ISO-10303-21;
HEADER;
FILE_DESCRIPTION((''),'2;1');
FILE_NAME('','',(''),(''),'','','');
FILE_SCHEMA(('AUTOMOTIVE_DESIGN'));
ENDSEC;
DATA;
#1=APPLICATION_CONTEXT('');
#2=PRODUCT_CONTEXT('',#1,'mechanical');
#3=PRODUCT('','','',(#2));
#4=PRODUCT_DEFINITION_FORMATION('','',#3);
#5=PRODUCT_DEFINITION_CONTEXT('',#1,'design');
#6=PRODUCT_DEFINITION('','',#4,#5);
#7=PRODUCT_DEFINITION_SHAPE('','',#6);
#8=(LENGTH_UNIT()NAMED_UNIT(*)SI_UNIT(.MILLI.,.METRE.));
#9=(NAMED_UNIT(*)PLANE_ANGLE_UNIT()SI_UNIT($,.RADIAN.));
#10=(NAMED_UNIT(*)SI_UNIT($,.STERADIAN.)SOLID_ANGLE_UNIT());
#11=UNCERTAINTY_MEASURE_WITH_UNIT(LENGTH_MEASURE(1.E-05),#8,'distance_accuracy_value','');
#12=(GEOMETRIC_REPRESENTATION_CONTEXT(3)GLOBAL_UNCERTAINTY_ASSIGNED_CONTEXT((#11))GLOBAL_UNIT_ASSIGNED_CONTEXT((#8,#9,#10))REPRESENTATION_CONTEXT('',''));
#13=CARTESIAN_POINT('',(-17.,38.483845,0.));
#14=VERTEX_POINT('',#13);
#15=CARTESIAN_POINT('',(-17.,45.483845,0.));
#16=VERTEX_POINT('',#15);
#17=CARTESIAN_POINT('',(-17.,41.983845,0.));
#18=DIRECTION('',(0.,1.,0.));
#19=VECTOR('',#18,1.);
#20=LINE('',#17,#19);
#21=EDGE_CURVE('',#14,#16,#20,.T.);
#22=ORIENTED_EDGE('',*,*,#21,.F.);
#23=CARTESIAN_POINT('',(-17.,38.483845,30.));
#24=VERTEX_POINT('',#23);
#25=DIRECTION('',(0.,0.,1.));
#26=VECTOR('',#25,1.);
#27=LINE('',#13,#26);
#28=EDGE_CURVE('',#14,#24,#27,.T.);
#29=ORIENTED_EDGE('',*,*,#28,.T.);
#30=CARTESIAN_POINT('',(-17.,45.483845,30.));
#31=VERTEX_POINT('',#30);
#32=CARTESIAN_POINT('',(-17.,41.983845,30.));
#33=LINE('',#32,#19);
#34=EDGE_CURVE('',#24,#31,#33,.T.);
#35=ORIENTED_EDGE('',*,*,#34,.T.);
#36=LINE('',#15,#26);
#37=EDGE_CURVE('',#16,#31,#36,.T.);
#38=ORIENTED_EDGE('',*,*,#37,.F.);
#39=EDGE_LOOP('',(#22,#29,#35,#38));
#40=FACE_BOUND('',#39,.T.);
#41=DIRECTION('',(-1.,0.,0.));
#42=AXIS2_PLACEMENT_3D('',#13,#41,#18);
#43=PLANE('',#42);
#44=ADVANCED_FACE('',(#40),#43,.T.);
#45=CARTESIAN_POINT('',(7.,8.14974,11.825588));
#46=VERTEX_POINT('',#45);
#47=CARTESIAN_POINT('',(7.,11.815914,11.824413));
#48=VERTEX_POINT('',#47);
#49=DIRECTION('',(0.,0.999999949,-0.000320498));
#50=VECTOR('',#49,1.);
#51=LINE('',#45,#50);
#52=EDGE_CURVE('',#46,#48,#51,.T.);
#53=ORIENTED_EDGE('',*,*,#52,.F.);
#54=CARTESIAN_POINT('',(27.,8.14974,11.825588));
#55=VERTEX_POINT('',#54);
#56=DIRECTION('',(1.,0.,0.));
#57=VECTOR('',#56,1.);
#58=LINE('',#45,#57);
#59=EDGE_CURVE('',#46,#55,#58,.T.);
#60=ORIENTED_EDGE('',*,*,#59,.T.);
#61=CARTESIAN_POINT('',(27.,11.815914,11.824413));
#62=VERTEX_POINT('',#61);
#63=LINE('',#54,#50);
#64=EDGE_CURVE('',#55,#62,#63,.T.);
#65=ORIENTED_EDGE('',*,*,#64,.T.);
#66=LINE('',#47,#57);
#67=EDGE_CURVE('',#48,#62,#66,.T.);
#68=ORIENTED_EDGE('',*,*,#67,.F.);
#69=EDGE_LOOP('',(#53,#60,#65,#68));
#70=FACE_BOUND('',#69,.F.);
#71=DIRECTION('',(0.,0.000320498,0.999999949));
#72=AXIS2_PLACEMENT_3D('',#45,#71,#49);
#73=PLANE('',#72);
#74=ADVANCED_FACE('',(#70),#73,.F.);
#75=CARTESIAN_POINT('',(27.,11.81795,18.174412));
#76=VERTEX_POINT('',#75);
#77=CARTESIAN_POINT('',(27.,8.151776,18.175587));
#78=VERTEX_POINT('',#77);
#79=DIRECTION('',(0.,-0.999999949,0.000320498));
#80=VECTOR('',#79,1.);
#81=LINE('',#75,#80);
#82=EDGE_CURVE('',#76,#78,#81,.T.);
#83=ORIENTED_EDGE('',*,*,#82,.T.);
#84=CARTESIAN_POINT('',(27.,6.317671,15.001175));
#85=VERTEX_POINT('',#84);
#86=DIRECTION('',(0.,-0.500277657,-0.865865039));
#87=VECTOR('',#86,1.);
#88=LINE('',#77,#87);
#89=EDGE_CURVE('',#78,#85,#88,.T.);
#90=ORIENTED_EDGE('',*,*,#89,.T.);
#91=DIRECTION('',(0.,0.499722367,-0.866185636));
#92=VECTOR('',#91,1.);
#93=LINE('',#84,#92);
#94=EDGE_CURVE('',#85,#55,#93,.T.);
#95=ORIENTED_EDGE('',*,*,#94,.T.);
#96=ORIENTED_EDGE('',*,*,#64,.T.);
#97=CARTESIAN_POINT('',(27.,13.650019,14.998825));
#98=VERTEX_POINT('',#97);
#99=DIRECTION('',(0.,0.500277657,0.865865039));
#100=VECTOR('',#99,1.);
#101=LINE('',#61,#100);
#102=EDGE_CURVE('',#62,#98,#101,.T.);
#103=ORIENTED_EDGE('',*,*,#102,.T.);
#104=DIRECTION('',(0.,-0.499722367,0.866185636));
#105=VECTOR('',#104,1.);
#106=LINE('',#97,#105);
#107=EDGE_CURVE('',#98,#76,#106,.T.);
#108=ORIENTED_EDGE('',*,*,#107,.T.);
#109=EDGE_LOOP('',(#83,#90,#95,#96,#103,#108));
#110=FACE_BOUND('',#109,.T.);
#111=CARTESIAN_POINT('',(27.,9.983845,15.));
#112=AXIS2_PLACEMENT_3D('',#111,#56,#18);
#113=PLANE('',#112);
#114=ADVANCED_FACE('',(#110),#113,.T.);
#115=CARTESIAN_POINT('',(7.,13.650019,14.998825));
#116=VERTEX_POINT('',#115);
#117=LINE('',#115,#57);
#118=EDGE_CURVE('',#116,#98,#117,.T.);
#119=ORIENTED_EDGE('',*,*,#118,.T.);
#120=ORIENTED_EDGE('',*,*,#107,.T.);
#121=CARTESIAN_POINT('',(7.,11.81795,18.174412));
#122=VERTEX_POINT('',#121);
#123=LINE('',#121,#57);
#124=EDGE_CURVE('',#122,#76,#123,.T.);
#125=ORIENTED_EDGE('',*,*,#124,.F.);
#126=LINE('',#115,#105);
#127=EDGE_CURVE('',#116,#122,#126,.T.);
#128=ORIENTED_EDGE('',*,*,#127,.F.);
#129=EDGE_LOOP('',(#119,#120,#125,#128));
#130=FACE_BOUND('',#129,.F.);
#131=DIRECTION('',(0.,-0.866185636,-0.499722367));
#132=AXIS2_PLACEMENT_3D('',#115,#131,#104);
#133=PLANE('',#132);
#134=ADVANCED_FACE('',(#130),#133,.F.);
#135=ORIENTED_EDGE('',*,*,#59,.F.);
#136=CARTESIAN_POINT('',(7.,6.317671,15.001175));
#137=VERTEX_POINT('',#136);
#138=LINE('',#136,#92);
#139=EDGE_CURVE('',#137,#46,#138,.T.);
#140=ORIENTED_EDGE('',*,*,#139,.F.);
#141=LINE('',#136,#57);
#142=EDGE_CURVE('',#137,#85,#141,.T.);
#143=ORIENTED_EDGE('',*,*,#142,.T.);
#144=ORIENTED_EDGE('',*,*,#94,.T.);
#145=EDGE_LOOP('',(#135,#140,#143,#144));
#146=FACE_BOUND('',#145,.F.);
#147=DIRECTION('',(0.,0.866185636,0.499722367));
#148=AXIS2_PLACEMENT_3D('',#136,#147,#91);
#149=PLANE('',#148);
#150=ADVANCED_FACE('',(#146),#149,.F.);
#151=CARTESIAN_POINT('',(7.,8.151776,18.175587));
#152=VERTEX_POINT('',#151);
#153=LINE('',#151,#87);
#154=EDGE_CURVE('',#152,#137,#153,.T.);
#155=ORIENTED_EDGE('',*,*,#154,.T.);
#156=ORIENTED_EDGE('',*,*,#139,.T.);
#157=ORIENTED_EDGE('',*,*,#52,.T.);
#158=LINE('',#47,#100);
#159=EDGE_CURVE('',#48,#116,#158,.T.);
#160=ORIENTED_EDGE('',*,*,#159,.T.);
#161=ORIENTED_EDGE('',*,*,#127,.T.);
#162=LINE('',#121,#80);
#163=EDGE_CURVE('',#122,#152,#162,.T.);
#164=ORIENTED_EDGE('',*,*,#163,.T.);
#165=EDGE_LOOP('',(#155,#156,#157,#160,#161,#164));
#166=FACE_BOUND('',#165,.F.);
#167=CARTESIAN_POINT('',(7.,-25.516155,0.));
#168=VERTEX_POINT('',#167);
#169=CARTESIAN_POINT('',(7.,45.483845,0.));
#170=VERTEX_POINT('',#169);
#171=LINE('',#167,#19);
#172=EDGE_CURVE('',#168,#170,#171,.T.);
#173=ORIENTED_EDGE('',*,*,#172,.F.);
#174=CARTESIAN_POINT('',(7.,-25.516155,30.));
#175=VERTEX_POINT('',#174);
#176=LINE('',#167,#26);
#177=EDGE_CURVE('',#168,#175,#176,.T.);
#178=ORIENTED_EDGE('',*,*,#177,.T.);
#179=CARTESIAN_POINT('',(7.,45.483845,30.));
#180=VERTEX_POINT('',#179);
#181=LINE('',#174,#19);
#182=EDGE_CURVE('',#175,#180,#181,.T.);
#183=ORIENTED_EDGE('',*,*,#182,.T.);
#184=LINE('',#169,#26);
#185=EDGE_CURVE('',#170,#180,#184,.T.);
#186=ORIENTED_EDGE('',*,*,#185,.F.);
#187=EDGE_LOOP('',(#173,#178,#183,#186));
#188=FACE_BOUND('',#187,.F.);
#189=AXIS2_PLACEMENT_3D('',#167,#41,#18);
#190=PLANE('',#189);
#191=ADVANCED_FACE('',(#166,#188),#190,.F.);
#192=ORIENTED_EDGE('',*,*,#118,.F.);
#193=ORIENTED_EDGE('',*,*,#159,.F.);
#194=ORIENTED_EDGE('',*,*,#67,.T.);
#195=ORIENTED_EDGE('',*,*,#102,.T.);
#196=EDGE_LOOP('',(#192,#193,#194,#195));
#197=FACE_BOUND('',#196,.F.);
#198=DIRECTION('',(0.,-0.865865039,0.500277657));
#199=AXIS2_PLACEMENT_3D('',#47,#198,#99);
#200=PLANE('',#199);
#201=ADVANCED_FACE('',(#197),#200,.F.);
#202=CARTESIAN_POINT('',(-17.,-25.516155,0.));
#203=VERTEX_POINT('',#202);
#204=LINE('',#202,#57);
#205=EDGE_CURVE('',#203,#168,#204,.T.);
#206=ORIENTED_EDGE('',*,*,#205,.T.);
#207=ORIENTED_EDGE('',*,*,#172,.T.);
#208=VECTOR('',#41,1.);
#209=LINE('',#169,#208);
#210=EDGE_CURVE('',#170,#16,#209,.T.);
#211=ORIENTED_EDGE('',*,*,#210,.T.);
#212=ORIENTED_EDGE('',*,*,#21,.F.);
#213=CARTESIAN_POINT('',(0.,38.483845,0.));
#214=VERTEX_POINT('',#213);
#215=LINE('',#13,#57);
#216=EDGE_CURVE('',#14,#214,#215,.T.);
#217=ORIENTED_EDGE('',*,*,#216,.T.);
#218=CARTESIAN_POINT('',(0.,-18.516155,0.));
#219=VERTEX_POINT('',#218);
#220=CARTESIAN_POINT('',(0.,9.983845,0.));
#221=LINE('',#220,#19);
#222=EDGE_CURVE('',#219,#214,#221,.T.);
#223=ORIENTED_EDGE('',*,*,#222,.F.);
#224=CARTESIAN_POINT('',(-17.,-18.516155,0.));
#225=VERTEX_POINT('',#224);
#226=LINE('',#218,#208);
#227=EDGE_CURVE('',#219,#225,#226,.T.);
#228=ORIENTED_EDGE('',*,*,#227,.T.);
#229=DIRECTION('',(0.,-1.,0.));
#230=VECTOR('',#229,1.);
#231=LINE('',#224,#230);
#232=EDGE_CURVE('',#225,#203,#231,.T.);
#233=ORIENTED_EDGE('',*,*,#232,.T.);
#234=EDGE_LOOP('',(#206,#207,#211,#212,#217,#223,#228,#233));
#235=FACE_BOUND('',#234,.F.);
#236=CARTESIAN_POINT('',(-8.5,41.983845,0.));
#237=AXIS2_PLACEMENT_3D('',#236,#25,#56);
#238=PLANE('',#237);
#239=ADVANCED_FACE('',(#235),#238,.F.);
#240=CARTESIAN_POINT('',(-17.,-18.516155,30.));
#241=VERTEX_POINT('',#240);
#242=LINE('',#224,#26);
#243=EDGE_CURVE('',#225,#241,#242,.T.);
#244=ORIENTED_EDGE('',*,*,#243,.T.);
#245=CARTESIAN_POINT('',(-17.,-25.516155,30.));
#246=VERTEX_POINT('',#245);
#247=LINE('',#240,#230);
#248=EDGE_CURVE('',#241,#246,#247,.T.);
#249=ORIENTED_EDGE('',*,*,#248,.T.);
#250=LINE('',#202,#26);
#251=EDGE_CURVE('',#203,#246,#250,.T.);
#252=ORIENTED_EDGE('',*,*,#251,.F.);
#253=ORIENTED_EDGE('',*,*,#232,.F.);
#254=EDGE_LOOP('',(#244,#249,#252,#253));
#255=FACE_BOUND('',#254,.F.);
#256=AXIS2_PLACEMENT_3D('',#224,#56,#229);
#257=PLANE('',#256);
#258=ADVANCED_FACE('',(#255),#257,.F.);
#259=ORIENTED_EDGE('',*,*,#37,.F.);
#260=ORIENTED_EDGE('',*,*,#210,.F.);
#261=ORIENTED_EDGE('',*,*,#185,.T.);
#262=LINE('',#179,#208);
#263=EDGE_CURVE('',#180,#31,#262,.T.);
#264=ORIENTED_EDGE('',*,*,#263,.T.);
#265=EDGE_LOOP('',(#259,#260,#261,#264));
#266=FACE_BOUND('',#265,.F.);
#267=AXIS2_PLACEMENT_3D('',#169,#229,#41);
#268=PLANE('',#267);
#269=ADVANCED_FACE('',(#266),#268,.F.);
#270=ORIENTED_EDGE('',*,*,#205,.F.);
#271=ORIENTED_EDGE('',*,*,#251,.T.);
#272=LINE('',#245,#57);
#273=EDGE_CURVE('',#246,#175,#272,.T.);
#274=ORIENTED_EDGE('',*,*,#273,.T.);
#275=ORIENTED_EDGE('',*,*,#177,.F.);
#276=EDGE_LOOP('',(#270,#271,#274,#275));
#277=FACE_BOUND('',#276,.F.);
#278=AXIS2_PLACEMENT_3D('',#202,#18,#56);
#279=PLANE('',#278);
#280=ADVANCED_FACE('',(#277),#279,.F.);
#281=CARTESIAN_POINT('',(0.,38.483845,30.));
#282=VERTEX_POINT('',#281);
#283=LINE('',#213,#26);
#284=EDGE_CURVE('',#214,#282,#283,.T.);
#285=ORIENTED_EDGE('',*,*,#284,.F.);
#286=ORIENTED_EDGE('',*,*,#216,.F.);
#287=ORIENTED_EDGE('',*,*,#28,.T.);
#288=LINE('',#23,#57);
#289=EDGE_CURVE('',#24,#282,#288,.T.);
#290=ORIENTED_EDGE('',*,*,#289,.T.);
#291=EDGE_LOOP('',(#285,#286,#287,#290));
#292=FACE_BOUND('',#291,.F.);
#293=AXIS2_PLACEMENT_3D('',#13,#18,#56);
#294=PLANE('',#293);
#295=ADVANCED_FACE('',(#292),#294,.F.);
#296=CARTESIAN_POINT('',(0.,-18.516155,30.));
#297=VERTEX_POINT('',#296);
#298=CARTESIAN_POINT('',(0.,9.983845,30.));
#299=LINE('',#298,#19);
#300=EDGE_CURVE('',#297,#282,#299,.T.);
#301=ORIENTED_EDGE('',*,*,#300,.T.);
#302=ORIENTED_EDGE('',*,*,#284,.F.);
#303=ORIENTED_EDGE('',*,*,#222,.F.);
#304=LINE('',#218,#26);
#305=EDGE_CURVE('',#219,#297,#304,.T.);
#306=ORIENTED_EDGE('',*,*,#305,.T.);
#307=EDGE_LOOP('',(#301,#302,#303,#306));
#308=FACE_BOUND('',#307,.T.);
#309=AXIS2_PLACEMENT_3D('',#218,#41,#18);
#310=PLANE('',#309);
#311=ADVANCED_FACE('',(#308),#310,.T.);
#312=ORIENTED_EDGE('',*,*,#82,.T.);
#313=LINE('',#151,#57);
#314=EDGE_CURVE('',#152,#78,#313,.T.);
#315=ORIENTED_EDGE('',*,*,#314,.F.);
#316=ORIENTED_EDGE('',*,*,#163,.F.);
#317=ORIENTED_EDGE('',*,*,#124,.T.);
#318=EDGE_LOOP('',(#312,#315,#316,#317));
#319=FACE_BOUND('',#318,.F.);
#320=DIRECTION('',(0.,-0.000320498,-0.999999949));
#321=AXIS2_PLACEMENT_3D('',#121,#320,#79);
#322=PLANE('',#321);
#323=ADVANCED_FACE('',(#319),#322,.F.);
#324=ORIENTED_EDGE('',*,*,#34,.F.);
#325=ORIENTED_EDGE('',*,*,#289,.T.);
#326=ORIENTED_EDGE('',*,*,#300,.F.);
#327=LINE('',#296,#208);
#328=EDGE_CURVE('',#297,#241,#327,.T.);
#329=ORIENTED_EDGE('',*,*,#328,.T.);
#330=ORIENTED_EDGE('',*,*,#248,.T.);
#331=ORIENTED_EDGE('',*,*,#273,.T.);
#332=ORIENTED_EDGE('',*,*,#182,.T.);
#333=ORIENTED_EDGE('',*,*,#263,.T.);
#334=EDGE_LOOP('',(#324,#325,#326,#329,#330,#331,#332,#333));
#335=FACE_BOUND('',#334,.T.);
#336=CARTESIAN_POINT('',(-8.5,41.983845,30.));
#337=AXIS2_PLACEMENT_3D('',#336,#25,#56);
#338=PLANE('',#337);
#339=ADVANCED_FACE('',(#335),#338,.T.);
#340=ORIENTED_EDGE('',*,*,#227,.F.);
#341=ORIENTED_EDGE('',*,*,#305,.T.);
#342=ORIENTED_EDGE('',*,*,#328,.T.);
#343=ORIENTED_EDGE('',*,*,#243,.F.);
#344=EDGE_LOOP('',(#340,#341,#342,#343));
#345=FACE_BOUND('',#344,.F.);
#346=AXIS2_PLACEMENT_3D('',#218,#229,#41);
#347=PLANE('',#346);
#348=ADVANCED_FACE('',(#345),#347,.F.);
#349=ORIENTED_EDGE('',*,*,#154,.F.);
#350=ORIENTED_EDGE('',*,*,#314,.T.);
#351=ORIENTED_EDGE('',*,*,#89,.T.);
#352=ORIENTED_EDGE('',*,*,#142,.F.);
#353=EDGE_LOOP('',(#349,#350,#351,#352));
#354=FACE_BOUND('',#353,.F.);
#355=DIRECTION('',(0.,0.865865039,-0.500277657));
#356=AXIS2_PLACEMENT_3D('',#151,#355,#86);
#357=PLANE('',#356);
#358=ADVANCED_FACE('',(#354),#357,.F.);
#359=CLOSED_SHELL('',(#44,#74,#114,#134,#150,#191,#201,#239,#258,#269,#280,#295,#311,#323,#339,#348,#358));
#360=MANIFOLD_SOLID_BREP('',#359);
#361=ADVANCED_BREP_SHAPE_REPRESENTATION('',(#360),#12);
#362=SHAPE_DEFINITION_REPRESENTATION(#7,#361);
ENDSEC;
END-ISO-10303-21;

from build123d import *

# Parameters (mm, degrees)
F0_W     = 17
F0_H     = 7
F0_W_2   = 7
F0_H_2   = 57
F1_DEPTH = 30
F3_DEPTH = 20


with BuildPart() as f1:
    # F0 (on Top) → F1 (new body)
    with BuildSketch(Plane.XY):
        with Locations((-8.5, 41.983845)):
            Rectangle(F0_W, F0_H)
        with Locations((3.5, 41.983845)):
            Rectangle(F0_W_2, F0_H)
        with Locations((3.5, 9.983845)):
            Rectangle(F0_W_2, F0_H_2)
        Polygon((7, -18.516155), (0, -18.516155), (-17, -18.516155), (-17, -25.516155), (7, -25.516155), align=None)
    extrude(amount=F1_DEPTH)

    # F2 (on face) → F3 (join)
    with BuildSketch(Plane.YZ.offset(7)):
        Polygon((8.151776, 18.175587), (6.317671, 15.001175), (8.14974, 11.825588), (11.815914, 11.824413), (13.650019, 14.998825), (11.81795, 18.174412), align=None)
    extrude(amount=F3_DEPTH)


solid = f1.part
